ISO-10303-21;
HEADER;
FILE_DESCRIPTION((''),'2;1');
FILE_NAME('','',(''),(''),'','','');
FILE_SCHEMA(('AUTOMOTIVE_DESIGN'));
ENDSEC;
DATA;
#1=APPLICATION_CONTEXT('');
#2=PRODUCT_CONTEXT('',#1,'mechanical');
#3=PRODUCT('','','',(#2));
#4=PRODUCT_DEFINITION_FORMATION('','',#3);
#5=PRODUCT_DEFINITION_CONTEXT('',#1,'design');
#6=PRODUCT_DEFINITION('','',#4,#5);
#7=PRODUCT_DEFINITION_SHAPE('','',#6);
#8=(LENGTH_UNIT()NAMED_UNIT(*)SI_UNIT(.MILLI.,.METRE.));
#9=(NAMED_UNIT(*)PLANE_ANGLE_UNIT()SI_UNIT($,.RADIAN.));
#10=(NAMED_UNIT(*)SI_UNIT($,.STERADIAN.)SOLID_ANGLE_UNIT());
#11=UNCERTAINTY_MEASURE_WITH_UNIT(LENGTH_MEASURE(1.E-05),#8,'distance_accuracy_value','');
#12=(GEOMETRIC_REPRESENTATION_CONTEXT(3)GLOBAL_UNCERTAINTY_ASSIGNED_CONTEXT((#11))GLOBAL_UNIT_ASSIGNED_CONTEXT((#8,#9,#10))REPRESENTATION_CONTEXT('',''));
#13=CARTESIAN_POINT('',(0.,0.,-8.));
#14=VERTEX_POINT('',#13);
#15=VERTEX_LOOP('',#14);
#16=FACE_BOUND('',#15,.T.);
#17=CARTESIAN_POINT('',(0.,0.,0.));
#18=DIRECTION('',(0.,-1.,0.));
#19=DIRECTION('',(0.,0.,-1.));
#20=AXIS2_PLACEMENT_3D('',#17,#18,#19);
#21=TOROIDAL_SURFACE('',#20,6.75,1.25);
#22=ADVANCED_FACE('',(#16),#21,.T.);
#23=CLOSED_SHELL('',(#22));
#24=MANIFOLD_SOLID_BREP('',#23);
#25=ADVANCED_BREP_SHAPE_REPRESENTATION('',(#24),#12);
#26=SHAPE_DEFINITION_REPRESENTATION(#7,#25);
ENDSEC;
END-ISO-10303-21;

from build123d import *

# Parameters (mm, degrees)
SKETCH1_R = 1.25


with BuildPart() as part:
    # Sketch1 → Revolve1 (revolve)
    with BuildSketch(Plane.XY, mode=Mode.PRIVATE) as revolve1_sk:
        with Locations((6.75, 0)):
            Circle(SKETCH1_R)
    revolve(revolve1_sk.sketch.rotate(Axis((0, 0, 0), (0, 1, 0)), 90), axis=Axis((0, 0, 0), (0, 1, 0)))


solid = part.part
